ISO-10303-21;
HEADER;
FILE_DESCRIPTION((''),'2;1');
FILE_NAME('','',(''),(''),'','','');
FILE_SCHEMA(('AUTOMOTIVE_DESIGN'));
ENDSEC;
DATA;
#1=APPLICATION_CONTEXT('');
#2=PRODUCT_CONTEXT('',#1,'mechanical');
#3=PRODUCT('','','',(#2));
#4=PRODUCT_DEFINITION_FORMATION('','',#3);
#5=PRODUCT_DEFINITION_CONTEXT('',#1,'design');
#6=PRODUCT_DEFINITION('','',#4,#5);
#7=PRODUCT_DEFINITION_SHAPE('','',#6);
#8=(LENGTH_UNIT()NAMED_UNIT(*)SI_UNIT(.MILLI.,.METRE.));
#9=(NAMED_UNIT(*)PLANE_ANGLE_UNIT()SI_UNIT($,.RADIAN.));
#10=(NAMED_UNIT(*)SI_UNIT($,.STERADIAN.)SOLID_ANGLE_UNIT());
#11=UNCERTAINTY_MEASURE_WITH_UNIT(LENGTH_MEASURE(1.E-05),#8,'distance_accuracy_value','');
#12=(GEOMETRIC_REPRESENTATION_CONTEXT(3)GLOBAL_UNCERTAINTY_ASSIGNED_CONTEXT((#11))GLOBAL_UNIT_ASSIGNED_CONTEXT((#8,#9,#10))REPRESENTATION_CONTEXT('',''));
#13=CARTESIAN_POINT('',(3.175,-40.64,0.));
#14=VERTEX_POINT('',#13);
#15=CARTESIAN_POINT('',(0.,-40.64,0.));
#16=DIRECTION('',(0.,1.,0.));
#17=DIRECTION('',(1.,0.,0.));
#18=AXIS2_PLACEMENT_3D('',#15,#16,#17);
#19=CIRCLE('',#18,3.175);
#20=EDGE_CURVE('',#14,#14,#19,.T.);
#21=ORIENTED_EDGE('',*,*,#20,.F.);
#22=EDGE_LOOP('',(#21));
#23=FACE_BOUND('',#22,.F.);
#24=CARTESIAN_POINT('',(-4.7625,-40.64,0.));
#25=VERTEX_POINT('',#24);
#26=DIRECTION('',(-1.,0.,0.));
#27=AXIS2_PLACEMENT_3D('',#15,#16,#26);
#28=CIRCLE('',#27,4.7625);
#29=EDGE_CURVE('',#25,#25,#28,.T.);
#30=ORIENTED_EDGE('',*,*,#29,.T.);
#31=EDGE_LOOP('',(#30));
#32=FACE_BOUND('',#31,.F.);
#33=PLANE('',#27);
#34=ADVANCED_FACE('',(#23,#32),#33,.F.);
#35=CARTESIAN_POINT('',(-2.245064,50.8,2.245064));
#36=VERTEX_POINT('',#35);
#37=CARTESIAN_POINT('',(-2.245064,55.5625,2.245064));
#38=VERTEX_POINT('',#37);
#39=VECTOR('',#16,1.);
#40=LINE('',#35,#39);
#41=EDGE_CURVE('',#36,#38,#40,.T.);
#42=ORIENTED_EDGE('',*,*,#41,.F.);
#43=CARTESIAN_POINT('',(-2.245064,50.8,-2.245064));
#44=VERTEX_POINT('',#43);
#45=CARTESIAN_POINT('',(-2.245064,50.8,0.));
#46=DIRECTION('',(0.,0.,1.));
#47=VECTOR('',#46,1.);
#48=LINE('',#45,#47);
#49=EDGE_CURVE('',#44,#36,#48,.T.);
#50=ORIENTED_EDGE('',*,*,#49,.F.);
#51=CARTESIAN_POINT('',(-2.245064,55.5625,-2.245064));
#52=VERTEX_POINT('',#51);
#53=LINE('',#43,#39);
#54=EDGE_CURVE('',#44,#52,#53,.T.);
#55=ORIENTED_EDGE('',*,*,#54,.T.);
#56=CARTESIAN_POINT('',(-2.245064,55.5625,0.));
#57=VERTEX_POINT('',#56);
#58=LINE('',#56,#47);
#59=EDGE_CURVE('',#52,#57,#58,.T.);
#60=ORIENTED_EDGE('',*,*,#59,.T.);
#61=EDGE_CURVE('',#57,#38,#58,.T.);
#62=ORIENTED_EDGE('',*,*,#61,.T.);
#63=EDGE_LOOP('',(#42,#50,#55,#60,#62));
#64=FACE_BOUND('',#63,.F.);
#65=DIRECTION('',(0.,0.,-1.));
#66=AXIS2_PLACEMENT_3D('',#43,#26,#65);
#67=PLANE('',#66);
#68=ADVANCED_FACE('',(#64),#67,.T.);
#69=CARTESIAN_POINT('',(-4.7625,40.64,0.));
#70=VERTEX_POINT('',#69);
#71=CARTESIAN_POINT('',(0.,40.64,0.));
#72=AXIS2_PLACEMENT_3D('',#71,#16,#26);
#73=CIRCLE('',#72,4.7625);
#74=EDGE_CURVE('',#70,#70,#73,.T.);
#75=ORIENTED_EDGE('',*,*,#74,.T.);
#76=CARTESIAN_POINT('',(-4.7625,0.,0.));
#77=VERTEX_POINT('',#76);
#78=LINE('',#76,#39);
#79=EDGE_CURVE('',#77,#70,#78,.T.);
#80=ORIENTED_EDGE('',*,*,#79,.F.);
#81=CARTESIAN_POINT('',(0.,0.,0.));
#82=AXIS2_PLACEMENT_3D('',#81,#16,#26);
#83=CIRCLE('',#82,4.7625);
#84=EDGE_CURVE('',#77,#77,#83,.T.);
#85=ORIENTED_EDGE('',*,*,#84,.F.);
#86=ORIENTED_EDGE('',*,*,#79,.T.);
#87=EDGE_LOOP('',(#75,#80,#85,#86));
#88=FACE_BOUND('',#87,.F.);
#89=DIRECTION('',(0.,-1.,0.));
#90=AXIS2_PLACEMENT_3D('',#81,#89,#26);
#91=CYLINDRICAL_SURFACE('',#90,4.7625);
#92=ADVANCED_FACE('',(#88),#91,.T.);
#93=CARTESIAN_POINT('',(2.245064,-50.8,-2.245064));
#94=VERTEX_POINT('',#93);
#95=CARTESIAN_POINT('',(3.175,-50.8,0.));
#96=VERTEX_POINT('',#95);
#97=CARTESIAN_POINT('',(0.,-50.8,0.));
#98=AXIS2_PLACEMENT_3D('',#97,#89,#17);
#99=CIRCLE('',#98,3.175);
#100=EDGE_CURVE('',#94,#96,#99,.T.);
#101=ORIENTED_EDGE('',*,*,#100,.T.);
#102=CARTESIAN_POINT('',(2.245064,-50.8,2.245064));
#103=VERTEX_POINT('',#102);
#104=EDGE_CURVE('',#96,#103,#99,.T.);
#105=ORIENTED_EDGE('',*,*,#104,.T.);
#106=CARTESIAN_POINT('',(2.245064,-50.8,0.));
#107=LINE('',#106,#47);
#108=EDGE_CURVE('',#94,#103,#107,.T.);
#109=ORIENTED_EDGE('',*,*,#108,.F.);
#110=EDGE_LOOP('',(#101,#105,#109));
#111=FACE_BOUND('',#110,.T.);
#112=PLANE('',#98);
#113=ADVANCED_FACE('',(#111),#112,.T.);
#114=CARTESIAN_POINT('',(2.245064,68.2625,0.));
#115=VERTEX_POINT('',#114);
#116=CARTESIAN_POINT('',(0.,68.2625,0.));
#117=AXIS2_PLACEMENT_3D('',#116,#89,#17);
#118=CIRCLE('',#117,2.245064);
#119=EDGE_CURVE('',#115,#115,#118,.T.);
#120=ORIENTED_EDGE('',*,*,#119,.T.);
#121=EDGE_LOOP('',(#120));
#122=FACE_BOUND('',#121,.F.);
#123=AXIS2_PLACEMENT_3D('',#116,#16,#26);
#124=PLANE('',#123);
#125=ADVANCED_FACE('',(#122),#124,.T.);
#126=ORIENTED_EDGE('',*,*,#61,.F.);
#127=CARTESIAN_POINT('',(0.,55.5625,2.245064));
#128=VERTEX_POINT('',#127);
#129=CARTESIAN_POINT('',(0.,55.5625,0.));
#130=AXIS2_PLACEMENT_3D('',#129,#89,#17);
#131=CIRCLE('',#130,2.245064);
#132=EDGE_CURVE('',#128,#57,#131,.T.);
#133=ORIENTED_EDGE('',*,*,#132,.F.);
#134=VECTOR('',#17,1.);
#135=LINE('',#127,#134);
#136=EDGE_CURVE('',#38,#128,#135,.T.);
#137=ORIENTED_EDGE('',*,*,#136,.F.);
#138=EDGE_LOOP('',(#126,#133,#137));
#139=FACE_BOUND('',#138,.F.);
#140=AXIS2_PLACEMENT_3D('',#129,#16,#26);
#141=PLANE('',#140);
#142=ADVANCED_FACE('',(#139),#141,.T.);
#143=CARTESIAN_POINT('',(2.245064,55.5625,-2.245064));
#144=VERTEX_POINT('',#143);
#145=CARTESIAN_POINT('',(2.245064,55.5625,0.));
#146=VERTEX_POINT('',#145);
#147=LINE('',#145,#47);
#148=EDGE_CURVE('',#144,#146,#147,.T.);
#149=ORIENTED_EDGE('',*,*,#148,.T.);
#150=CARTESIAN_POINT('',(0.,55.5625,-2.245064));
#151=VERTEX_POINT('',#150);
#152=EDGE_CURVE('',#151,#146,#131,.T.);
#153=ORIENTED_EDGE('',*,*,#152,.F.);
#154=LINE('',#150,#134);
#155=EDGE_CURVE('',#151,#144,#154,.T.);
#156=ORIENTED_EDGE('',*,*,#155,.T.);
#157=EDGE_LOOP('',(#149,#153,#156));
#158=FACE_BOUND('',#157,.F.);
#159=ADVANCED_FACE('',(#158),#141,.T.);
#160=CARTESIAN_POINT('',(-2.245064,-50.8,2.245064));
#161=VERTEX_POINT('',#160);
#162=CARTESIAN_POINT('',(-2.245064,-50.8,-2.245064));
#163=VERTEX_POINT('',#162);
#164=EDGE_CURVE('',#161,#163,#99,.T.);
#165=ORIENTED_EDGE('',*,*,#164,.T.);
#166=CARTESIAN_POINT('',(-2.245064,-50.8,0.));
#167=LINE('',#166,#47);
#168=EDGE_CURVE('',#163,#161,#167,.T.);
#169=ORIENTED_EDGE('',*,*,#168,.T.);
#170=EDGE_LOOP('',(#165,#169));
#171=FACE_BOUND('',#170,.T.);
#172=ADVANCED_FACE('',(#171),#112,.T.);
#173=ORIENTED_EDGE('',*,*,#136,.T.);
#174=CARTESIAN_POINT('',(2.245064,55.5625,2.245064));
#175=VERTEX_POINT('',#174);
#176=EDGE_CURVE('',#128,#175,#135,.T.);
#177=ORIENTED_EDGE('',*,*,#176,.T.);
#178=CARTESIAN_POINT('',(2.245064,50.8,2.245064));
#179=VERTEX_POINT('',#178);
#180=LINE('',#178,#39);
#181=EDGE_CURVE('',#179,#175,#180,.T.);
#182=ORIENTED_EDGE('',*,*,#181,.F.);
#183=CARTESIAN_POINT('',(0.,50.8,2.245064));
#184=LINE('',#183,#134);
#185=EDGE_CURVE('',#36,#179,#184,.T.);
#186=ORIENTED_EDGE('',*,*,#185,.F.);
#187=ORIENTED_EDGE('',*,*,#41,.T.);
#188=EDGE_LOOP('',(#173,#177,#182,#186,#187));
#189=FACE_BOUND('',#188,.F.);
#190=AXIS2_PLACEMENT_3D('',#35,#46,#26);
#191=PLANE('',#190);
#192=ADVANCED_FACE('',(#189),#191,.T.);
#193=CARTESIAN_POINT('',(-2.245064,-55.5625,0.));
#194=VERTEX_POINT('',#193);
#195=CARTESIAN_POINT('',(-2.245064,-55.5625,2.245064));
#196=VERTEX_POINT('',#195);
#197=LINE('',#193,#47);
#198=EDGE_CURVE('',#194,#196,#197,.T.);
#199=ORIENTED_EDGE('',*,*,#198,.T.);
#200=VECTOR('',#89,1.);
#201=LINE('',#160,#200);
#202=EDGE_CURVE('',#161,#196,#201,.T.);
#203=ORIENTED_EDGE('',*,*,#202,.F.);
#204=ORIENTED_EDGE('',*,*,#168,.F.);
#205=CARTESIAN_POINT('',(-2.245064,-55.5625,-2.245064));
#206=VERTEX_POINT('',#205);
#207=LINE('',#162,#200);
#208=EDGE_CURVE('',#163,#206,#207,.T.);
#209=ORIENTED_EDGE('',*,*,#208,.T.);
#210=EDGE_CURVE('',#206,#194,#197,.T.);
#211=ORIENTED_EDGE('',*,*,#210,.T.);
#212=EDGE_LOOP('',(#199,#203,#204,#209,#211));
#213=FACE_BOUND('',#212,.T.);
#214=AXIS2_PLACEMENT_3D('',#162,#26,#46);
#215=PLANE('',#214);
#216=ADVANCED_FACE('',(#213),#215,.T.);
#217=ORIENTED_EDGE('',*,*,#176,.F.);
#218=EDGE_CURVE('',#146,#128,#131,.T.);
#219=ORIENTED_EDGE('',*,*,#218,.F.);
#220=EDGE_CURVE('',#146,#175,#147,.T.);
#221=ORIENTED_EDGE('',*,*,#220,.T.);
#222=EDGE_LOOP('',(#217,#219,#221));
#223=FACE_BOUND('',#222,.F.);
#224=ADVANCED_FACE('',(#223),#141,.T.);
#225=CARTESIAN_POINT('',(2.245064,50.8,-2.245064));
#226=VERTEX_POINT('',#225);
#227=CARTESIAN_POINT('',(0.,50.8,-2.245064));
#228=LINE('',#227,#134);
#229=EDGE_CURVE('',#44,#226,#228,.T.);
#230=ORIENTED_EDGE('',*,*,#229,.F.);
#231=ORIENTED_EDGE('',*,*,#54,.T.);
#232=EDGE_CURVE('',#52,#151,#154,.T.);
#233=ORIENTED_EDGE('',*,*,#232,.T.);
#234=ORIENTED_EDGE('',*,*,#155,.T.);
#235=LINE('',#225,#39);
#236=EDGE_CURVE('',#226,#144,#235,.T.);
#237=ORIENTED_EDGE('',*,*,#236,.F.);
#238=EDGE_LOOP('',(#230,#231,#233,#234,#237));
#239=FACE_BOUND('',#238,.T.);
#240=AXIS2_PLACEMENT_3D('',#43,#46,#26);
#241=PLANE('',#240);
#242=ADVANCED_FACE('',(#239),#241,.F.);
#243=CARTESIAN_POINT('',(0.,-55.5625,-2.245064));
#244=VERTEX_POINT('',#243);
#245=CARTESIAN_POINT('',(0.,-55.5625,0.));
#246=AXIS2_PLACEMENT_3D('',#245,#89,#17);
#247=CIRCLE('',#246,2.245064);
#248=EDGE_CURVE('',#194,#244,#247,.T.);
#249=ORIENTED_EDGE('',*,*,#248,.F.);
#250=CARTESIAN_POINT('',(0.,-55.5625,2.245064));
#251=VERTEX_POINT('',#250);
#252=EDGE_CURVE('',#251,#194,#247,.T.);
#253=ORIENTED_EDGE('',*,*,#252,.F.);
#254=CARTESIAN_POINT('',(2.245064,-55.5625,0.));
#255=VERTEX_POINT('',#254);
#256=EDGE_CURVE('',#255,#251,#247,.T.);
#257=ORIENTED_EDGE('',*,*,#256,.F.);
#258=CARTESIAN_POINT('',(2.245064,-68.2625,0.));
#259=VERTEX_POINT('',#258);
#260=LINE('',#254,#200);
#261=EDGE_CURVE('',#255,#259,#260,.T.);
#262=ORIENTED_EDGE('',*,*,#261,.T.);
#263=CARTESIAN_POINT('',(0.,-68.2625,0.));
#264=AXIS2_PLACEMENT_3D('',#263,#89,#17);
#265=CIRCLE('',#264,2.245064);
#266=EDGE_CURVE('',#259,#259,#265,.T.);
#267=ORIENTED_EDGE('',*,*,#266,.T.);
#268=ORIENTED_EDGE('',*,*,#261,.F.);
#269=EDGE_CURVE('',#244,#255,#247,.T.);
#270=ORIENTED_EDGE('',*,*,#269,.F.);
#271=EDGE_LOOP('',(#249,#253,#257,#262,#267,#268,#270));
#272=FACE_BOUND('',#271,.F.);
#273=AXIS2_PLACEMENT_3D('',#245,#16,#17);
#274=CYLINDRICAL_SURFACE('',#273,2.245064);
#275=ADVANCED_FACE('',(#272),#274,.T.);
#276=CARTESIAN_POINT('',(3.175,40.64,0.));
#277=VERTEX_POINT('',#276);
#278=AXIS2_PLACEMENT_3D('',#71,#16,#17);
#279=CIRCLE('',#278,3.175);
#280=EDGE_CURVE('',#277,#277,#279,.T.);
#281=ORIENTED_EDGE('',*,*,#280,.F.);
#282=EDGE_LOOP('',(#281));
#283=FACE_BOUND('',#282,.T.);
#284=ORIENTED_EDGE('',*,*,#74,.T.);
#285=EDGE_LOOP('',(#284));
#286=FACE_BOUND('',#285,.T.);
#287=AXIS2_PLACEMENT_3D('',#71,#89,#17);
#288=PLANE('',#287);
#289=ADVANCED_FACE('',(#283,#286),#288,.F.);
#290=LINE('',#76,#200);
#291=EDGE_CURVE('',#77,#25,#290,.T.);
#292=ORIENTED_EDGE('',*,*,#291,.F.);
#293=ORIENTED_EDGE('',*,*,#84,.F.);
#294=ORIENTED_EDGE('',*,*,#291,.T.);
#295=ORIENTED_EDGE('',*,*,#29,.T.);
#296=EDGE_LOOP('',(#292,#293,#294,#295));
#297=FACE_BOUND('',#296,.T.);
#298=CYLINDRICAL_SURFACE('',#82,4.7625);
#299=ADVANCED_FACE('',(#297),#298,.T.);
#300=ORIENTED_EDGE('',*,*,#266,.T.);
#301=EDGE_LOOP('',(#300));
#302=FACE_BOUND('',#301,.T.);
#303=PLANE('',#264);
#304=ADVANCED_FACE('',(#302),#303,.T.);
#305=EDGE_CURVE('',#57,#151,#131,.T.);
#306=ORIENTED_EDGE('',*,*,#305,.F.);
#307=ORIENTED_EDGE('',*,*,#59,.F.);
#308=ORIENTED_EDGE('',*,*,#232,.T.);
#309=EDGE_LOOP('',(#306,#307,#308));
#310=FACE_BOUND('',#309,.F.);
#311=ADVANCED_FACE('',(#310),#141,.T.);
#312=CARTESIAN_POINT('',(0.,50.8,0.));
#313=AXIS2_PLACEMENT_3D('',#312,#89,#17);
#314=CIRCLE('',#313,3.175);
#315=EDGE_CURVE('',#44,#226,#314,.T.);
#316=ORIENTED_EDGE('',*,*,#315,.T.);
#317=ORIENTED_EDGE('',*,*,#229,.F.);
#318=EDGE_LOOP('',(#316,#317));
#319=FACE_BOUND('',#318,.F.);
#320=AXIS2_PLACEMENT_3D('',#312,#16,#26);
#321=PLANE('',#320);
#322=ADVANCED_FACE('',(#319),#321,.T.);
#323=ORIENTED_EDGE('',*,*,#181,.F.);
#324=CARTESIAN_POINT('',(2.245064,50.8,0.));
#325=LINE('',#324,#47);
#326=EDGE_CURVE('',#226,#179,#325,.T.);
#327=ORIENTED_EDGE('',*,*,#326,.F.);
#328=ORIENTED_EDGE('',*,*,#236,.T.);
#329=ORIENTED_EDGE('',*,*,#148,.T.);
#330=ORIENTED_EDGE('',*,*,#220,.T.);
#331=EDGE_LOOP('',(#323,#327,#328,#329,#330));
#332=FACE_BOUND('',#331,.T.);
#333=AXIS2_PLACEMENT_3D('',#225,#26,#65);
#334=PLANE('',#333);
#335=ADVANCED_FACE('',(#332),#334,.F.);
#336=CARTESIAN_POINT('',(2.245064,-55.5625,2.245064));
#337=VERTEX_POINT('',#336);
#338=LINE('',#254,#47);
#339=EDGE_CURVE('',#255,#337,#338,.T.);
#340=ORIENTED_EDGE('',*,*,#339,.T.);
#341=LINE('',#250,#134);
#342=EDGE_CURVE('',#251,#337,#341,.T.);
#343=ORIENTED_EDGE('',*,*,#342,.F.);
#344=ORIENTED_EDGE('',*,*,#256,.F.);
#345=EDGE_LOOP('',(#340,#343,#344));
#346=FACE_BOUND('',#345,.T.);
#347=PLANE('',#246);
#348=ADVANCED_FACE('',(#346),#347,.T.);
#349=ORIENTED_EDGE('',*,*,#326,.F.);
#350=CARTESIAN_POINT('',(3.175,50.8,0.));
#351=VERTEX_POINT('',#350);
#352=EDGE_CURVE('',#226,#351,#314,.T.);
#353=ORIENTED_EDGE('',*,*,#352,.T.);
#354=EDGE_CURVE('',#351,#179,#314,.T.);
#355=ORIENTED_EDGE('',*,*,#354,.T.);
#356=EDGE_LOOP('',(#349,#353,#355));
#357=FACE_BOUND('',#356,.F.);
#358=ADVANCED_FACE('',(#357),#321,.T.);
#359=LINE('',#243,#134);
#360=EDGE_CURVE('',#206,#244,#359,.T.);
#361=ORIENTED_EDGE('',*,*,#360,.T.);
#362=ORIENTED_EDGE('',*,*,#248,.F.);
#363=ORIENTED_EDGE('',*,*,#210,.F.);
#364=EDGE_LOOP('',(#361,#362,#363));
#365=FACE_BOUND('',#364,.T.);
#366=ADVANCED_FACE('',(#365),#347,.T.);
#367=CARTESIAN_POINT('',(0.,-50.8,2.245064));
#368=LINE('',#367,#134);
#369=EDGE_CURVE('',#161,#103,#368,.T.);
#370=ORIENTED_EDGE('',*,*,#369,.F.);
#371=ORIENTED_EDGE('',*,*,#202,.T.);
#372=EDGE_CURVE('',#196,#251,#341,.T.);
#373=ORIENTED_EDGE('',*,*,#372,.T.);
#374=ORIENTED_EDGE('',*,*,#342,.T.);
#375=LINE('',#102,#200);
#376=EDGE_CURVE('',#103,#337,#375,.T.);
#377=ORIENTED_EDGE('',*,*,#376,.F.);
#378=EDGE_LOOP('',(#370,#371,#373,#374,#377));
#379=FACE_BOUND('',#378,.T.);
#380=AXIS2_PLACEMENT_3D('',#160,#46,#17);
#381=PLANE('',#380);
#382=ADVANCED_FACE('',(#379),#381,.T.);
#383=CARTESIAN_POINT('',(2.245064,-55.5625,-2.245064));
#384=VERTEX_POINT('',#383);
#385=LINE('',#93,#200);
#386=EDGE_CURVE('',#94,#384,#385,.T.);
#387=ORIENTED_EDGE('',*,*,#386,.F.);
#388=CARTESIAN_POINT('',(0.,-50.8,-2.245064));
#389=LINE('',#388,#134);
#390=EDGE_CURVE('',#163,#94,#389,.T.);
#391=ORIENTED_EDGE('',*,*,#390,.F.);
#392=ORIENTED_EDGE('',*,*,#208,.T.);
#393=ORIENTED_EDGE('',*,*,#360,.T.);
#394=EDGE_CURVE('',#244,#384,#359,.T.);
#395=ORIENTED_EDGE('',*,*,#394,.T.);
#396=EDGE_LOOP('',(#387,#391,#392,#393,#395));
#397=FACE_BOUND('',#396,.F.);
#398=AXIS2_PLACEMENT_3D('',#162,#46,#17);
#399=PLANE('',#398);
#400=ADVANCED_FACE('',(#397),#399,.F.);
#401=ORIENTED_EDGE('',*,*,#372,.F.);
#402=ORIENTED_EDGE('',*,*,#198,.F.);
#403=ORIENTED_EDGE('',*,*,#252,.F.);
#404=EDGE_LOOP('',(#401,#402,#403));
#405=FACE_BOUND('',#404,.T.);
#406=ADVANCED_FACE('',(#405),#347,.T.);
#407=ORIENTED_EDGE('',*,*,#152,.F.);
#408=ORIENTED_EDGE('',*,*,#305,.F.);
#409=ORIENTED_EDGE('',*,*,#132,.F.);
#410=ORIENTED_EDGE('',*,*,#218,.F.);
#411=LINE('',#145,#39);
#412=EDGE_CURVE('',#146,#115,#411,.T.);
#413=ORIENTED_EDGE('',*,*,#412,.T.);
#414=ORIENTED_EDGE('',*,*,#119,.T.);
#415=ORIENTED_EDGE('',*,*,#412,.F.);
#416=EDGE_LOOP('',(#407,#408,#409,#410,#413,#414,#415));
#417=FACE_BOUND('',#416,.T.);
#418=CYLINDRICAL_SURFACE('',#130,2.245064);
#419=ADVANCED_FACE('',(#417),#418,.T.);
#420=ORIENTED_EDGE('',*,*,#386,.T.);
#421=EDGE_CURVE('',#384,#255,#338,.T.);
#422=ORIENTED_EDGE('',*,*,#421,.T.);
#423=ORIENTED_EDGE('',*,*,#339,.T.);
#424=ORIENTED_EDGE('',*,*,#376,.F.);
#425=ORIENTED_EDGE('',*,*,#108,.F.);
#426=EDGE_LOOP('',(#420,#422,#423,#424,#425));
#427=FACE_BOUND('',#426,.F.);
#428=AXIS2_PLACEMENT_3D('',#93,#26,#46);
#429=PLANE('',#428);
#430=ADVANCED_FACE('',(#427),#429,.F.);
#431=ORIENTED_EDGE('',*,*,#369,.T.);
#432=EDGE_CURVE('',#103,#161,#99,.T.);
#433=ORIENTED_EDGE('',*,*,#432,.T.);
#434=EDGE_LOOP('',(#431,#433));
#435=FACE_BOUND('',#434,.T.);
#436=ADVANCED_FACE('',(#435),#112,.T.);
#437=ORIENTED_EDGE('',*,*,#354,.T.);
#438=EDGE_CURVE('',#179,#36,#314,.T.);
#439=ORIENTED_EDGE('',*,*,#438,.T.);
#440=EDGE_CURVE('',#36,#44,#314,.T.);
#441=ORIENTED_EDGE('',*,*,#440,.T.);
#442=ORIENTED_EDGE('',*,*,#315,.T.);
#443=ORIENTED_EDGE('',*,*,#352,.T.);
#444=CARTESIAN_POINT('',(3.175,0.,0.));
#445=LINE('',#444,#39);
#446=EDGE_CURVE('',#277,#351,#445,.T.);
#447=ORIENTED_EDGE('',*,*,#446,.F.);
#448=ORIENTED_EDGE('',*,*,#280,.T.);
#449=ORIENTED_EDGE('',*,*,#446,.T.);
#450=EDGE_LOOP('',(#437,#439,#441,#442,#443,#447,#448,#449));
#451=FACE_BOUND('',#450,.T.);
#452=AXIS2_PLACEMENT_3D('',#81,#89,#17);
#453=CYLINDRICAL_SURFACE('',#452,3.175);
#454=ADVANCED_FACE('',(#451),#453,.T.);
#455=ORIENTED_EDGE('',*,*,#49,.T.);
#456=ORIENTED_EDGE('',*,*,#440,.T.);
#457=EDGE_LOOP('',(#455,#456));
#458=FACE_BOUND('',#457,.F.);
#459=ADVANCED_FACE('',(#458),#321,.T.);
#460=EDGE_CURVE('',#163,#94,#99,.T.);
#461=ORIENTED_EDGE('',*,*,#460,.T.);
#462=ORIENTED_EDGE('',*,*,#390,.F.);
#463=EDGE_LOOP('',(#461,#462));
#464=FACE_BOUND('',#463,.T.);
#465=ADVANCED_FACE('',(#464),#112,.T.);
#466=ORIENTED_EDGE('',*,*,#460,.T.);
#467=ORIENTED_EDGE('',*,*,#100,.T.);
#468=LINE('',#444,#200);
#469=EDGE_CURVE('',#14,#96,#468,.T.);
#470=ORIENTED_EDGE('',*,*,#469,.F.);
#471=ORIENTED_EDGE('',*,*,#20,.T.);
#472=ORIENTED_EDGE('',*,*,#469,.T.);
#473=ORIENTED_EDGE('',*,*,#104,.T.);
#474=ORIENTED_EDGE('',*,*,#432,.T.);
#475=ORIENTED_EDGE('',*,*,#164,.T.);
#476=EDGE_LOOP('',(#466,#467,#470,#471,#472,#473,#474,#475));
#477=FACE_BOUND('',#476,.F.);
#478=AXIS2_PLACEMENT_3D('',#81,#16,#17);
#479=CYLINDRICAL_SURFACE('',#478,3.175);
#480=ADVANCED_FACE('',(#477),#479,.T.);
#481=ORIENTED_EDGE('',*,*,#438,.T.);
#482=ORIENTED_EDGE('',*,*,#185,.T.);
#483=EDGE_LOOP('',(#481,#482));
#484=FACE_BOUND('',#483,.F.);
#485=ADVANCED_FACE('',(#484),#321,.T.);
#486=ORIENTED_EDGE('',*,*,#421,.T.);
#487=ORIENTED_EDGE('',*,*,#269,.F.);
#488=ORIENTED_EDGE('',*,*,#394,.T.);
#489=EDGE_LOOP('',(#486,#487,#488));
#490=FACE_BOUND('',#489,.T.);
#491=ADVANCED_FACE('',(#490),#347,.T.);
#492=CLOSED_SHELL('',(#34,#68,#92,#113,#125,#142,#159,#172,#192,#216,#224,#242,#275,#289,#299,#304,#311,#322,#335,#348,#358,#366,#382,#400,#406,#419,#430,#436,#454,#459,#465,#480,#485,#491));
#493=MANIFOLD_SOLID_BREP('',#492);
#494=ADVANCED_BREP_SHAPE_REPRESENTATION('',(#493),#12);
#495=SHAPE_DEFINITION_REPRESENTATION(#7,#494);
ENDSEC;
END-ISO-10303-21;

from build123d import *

# Parameters (mm, degrees)
F0_R     = 3.175
F1_DEPTH = 50.8
F2_W     = 4.490128
F2_H     = 4.490128
F3_DEPTH = 4.7625
F4_R     = 2.245064
F5_DEPTH = 12.7
F6_R     = 4.7625
F7_DEPTH = 40.64


with BuildPart() as f1:
    # F0 (on Front) → F1 (new body)
    with BuildSketch(Plane.XZ):
        Circle(F0_R)
    extrude(amount=F1_DEPTH)

    # F2 (on face) → F3 (join)
    with BuildSketch(Plane.XZ.offset(50.8)):
        Rectangle(F2_W, F2_H)
    extrude(amount=F3_DEPTH)

    # F4 (on face) → F5 (join)
    with BuildSketch(Plane.XZ.offset(55.5625)):
        Circle(F4_R)
    extrude(amount=F5_DEPTH)

    # F6 (on face) → F7 (join)
    with BuildSketch(Plane(origin=(0, 0, 0), x_dir=(-1, 0, 0), z_dir=(0, 1, 0))):
        Circle(F6_R)
    extrude(amount=-F7_DEPTH)

    # F8: F1 across plane


with BuildPart() as f1_1:
    add(f1.part)
    add(f1.part.mirror(Plane.XZ))


solid = f1_1.part
